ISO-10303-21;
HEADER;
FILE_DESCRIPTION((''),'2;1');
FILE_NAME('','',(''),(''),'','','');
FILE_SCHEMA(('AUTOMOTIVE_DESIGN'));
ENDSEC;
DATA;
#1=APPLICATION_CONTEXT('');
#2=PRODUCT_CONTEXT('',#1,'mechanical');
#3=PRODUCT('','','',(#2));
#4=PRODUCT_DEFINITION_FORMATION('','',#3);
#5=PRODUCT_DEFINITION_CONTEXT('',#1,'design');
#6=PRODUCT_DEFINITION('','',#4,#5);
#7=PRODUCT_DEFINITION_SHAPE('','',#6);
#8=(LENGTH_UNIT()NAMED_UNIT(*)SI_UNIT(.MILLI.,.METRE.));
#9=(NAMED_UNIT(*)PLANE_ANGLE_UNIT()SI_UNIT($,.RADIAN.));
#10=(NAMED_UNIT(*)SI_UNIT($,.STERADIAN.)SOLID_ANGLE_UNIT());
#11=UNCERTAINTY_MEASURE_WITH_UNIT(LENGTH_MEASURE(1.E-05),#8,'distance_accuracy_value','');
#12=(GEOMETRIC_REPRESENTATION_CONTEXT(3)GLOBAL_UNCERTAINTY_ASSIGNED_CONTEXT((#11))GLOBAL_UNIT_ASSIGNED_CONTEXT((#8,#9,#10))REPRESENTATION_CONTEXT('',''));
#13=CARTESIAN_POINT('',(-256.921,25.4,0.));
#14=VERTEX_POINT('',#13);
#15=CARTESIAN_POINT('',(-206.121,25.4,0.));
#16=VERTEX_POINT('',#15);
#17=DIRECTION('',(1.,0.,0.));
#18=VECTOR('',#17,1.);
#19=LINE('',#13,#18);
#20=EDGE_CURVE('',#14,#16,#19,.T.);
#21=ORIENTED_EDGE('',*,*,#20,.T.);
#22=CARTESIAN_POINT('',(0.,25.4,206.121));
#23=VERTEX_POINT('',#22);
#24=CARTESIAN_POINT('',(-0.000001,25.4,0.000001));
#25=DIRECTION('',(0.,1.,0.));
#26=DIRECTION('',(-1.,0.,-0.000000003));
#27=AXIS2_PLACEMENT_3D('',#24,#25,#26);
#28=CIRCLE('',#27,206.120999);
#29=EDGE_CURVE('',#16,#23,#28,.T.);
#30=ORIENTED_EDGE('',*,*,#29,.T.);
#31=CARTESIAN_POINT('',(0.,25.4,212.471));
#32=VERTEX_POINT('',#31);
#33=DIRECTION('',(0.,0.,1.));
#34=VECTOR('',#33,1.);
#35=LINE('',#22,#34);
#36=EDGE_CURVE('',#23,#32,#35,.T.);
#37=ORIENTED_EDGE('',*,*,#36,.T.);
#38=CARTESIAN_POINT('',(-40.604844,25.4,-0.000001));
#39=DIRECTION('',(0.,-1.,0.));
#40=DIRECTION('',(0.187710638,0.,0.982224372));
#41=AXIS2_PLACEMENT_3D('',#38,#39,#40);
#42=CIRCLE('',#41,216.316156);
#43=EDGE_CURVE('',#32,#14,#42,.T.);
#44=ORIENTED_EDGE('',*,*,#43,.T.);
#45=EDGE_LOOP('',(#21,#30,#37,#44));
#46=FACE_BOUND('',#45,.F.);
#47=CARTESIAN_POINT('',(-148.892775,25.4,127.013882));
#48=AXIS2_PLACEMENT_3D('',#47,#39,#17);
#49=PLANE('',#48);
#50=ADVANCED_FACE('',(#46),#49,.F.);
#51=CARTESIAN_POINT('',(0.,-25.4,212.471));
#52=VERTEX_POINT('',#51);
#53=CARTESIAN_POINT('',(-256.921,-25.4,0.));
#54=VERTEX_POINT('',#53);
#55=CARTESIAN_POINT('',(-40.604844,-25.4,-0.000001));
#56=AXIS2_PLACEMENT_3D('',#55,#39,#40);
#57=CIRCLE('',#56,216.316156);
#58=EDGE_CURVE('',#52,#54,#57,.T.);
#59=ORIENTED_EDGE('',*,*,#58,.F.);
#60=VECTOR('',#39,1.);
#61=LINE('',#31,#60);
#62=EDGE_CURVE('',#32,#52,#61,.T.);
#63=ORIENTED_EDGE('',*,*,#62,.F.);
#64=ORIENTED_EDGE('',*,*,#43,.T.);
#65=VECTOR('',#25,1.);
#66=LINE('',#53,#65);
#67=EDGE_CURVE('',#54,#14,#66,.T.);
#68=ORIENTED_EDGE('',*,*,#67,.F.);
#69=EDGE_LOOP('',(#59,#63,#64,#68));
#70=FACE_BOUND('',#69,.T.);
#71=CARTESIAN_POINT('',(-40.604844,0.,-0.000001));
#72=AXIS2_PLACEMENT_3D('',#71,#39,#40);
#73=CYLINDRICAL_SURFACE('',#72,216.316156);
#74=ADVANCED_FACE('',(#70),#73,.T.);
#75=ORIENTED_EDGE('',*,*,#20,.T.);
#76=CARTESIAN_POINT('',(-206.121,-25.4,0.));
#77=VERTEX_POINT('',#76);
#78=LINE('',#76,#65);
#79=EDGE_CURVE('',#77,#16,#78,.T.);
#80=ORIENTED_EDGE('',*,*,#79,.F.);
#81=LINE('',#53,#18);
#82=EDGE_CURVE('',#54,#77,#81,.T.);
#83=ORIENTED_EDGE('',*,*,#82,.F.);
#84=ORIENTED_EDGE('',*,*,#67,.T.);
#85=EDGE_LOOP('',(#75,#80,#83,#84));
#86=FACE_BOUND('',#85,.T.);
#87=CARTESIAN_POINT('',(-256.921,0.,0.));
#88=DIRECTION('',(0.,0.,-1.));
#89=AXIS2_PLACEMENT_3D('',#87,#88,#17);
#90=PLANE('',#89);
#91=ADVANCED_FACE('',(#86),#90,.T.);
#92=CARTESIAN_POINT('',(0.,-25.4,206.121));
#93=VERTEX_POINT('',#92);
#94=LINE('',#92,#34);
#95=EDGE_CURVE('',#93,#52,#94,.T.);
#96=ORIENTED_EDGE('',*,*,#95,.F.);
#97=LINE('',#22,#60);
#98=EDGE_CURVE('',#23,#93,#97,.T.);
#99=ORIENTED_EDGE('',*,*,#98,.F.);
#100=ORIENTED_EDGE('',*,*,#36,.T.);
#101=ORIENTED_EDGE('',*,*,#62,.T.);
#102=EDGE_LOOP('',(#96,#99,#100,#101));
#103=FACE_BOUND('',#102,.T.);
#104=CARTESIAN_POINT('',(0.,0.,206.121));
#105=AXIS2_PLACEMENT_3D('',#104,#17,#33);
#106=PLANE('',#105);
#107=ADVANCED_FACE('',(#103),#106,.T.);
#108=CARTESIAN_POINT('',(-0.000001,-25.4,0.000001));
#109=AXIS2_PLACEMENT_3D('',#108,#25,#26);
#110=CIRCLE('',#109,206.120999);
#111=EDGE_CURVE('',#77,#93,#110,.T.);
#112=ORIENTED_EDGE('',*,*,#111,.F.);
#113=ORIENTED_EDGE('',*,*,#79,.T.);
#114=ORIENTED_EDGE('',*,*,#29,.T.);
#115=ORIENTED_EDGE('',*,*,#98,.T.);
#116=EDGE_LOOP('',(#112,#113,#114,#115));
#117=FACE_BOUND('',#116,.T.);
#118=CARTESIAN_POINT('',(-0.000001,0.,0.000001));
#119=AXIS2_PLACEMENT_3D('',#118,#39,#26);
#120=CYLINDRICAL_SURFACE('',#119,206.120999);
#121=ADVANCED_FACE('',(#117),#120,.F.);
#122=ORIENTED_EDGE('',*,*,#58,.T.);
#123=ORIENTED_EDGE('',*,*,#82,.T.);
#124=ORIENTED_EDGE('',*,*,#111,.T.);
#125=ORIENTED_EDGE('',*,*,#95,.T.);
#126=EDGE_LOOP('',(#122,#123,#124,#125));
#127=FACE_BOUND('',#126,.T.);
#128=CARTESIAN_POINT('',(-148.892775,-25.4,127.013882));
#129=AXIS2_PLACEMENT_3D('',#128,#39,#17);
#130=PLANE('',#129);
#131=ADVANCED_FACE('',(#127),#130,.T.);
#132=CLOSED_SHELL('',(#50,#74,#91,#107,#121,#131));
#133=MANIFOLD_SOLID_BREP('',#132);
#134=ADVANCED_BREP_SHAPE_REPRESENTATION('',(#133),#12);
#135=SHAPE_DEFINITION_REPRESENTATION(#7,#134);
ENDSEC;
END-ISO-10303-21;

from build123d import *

# Parameters (mm, degrees)
F1_DEPTH      = 25.4
F1_DEPTH_BACK = 25.4


with BuildPart() as f1:
    # F0 (on Front) → F1 (new body, two sides)
    with BuildSketch(Plane.XZ) as f1_sk:
        with BuildLine():
            ThreePointArc((-206.121, 0), (-145.749557, 145.749557), (0, 206.121))
            Line((0, 206.121), (0, 212.471))
            ThreePointArc((0, 212.471), (-178.462008, 166.697575), (-256.921, 0))
            Line((-256.921, 0), (-250.571, 0))
            Line((-250.571, 0), (-206.121, 0))
        make_face()
    extrude(amount=F1_DEPTH)
    extrude(f1_sk.sketch, amount=-F1_DEPTH_BACK)


solid = f1.part
